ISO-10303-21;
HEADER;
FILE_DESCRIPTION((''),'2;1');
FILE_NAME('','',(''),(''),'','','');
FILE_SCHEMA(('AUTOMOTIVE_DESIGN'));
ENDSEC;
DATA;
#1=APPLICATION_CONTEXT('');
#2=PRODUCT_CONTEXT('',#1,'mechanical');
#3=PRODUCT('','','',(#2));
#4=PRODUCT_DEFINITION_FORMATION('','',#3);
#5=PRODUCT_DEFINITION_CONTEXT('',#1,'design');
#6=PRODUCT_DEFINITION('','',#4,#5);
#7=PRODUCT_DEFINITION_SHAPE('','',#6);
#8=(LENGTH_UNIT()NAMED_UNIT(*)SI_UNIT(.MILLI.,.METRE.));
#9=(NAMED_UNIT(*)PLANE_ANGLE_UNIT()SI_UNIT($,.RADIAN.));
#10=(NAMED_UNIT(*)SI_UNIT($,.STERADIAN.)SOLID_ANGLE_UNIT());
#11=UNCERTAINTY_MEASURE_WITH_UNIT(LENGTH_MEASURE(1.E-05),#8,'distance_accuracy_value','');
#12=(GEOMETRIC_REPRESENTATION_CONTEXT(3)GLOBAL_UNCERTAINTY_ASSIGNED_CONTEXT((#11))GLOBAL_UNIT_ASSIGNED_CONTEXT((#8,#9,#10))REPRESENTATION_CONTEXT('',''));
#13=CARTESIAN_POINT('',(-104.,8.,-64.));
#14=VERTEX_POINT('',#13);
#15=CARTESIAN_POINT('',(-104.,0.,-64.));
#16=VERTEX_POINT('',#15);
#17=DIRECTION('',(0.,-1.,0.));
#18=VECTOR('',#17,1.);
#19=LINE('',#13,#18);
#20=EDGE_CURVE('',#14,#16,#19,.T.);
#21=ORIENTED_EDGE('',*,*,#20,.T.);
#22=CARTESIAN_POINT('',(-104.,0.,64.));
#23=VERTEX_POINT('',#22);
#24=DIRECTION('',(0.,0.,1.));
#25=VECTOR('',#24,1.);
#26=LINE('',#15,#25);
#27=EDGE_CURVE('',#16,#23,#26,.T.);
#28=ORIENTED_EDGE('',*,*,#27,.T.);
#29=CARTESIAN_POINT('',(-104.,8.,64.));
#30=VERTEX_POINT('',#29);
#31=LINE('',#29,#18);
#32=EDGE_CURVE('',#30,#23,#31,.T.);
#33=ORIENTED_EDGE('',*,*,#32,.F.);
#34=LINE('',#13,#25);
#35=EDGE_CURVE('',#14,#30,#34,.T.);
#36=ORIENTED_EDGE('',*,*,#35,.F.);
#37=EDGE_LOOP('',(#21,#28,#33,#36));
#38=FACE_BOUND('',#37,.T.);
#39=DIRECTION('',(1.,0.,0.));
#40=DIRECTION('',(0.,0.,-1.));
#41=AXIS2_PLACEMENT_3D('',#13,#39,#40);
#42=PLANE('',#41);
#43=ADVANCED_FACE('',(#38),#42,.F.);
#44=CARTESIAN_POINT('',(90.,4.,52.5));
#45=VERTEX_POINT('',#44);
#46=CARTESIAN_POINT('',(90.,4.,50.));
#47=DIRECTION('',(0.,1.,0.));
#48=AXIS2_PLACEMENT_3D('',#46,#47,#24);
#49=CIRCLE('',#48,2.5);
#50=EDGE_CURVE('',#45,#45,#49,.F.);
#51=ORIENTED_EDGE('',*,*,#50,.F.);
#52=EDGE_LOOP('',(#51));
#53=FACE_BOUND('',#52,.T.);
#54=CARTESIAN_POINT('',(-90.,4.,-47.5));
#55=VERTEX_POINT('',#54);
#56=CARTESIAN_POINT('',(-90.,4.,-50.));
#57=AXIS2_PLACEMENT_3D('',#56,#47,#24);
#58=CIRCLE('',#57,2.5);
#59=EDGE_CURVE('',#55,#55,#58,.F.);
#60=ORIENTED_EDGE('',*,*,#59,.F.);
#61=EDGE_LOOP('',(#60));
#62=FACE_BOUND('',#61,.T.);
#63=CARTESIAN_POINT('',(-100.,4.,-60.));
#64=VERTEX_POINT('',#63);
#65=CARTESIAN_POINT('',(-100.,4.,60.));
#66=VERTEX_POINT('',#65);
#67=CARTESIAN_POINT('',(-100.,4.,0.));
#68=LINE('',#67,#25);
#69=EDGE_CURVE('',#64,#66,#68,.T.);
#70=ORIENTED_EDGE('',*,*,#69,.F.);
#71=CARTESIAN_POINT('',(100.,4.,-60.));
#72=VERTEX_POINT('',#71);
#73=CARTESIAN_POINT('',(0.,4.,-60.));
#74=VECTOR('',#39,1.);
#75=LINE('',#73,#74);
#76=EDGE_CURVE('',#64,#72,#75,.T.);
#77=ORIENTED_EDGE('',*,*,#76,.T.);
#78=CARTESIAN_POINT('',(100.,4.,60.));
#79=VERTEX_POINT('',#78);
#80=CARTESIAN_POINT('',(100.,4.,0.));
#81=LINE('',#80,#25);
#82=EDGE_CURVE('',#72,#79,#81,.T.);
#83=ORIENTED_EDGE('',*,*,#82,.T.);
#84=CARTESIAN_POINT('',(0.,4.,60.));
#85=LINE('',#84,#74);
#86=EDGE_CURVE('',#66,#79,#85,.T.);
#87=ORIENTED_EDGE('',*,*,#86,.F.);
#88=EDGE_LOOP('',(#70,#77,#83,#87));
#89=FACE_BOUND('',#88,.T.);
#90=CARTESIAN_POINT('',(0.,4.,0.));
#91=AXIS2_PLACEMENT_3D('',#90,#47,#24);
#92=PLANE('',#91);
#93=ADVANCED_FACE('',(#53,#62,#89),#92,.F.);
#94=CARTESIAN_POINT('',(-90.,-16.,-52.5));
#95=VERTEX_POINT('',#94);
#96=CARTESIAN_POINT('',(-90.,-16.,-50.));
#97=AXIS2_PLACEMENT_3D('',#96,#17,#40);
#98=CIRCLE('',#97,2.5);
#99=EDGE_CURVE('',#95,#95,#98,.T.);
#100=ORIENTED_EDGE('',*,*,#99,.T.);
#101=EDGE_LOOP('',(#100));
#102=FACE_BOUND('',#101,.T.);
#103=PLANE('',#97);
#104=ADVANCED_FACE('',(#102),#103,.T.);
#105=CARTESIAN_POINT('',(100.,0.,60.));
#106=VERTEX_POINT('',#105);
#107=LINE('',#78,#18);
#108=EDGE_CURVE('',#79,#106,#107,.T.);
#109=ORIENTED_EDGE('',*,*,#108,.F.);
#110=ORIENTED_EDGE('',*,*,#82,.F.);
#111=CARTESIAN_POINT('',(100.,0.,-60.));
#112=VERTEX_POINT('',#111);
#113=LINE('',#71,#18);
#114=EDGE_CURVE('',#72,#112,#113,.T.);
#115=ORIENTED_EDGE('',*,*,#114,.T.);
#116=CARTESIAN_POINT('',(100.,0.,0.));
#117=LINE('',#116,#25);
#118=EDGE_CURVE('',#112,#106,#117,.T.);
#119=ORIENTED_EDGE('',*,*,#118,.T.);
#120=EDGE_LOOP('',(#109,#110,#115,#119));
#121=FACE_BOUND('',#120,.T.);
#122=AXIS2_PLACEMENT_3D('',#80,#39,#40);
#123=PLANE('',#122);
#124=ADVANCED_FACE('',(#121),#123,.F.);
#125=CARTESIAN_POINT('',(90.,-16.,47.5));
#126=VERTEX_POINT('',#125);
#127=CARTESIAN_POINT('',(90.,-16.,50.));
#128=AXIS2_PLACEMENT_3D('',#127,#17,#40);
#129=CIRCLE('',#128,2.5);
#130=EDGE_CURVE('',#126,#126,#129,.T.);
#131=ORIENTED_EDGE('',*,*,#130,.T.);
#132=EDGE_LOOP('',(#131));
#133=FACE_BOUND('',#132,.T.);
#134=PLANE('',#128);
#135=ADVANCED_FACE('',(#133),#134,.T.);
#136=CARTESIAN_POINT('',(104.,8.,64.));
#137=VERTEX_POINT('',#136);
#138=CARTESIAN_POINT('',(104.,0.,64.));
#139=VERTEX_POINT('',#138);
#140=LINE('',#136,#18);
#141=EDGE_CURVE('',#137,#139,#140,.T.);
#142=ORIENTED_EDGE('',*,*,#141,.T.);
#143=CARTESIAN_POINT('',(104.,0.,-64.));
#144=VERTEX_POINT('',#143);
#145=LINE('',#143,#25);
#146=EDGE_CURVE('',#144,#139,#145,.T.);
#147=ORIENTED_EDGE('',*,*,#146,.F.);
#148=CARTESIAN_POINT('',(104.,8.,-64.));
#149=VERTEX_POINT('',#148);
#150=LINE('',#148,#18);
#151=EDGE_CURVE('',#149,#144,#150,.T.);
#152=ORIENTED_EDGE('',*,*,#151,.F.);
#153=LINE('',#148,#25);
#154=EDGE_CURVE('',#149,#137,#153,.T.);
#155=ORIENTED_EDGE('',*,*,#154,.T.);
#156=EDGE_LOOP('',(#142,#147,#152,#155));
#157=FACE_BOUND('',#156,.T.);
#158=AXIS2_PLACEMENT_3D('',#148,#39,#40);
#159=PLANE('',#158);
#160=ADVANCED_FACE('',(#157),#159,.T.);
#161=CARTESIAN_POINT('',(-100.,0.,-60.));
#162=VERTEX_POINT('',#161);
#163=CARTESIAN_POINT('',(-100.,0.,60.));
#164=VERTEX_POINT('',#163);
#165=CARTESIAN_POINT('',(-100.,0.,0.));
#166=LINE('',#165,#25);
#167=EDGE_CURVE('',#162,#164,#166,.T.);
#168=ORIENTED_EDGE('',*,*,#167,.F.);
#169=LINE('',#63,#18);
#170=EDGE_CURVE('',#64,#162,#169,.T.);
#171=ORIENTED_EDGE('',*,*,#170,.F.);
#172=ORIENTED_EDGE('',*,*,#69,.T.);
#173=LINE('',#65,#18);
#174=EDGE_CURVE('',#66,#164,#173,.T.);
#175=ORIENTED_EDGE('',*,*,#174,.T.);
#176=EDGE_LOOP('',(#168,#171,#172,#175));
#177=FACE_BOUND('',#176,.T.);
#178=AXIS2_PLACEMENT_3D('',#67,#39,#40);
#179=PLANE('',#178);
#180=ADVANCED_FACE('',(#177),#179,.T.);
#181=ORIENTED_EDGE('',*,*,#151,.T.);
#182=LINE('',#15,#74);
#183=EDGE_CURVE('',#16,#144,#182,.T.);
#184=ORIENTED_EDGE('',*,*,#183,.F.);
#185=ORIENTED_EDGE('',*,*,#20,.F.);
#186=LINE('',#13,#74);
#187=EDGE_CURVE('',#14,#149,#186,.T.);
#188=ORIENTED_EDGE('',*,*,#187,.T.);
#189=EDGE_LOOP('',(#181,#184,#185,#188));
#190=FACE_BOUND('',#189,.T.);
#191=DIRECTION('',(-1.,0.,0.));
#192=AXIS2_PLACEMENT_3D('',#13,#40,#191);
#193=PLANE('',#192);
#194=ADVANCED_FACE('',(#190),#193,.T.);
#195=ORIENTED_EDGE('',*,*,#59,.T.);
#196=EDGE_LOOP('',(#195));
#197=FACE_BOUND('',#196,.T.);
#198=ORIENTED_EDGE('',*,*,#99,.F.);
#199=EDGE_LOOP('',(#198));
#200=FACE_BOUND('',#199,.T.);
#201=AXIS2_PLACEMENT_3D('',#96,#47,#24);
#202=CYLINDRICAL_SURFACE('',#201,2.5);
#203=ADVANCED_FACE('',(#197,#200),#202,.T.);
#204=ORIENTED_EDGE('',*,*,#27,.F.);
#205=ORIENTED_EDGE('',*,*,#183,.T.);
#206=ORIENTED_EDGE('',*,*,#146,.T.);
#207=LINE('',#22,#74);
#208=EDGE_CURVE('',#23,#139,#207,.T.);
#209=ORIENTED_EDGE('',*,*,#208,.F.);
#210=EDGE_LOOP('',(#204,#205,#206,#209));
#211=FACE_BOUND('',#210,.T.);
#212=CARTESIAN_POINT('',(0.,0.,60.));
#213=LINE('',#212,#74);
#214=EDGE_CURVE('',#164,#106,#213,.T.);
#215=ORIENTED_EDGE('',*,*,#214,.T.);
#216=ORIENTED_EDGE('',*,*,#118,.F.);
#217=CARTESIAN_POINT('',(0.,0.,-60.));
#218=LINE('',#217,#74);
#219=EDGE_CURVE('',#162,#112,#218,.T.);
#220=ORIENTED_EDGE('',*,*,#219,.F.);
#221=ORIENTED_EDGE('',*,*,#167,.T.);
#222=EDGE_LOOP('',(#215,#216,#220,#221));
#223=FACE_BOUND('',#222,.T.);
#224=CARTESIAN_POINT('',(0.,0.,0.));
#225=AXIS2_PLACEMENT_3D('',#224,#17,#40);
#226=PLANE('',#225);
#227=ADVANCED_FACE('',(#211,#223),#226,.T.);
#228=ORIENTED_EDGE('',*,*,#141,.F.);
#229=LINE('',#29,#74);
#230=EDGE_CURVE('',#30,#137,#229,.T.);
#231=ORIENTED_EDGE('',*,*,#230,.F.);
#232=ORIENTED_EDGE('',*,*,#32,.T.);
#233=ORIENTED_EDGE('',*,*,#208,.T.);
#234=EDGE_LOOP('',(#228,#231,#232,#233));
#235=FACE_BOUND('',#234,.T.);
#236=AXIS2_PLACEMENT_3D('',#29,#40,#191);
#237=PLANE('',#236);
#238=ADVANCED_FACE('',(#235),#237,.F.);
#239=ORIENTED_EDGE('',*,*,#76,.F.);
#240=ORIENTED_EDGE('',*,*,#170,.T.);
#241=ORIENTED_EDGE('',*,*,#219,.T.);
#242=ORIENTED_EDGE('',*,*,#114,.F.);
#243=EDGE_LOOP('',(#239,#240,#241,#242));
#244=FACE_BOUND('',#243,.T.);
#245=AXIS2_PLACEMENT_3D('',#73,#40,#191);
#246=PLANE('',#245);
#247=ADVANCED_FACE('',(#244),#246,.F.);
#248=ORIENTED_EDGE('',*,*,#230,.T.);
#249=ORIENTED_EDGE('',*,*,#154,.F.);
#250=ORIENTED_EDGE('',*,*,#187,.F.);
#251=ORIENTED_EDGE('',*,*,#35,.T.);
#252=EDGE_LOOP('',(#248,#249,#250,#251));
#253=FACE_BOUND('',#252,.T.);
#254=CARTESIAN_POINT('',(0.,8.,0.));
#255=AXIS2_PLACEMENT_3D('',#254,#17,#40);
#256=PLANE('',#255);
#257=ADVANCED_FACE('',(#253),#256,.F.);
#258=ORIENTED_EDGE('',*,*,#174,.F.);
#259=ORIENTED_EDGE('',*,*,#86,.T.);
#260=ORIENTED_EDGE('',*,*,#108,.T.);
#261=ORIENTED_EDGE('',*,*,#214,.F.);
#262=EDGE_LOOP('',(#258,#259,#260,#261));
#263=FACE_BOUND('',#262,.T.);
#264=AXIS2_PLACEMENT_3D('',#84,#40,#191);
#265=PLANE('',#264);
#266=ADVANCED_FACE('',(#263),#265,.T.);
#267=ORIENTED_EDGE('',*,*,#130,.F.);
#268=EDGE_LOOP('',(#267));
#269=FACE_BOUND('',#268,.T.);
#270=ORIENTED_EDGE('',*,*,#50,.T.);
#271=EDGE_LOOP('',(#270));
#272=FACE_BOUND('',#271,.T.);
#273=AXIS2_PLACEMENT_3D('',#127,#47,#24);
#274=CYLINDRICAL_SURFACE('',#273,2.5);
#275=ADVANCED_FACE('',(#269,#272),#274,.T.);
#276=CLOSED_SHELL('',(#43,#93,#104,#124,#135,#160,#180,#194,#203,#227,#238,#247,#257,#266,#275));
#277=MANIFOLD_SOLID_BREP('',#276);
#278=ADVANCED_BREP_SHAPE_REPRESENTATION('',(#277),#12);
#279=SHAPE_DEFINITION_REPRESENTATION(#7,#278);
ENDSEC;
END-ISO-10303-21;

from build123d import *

# Parameters (mm, degrees)
CROQUIS1_W              = 208
CROQUIS1_H              = 128
SALIENTE_EXTRUIR1_DEPTH = 8
CROQUIS1_4_W            = 200
CROQUIS1_4_H            = 120
CORTAR_EXTRUIR1_DEPTH   = 4
CROQUIS2_R              = 2.5
SALIENTE_EXTRUIR2_DEPTH = 20


with BuildPart() as part:
    # Croquis1 → Saliente-Extruir1 (new body)
    with BuildSketch(Plane(origin=(0, 0, 0), x_dir=(1, 0, 0), z_dir=(0, 1, 0))):
        Rectangle(CROQUIS1_W, CROQUIS1_H)
    extrude(amount=SALIENTE_EXTRUIR1_DEPTH)

    # Croquis1<4> → Cortar-Extruir1 (cut)
    with BuildSketch(Plane(origin=(0, 0, 0), x_dir=(1, 0, 0), z_dir=(0, 1, 0))):
        Rectangle(CROQUIS1_4_W, CROQUIS1_4_H)
    extrude(amount=CORTAR_EXTRUIR1_DEPTH, mode=Mode.SUBTRACT)

    # Croquis2 → Saliente-Extruir2 (add)
    with BuildSketch(Plane.XZ.offset(-4)):
        with Locations((-90, -50)):
            Circle(CROQUIS2_R)
        with Locations((90, 50)):
            Circle(CROQUIS2_R)
    extrude(amount=SALIENTE_EXTRUIR2_DEPTH)


solid = part.part
